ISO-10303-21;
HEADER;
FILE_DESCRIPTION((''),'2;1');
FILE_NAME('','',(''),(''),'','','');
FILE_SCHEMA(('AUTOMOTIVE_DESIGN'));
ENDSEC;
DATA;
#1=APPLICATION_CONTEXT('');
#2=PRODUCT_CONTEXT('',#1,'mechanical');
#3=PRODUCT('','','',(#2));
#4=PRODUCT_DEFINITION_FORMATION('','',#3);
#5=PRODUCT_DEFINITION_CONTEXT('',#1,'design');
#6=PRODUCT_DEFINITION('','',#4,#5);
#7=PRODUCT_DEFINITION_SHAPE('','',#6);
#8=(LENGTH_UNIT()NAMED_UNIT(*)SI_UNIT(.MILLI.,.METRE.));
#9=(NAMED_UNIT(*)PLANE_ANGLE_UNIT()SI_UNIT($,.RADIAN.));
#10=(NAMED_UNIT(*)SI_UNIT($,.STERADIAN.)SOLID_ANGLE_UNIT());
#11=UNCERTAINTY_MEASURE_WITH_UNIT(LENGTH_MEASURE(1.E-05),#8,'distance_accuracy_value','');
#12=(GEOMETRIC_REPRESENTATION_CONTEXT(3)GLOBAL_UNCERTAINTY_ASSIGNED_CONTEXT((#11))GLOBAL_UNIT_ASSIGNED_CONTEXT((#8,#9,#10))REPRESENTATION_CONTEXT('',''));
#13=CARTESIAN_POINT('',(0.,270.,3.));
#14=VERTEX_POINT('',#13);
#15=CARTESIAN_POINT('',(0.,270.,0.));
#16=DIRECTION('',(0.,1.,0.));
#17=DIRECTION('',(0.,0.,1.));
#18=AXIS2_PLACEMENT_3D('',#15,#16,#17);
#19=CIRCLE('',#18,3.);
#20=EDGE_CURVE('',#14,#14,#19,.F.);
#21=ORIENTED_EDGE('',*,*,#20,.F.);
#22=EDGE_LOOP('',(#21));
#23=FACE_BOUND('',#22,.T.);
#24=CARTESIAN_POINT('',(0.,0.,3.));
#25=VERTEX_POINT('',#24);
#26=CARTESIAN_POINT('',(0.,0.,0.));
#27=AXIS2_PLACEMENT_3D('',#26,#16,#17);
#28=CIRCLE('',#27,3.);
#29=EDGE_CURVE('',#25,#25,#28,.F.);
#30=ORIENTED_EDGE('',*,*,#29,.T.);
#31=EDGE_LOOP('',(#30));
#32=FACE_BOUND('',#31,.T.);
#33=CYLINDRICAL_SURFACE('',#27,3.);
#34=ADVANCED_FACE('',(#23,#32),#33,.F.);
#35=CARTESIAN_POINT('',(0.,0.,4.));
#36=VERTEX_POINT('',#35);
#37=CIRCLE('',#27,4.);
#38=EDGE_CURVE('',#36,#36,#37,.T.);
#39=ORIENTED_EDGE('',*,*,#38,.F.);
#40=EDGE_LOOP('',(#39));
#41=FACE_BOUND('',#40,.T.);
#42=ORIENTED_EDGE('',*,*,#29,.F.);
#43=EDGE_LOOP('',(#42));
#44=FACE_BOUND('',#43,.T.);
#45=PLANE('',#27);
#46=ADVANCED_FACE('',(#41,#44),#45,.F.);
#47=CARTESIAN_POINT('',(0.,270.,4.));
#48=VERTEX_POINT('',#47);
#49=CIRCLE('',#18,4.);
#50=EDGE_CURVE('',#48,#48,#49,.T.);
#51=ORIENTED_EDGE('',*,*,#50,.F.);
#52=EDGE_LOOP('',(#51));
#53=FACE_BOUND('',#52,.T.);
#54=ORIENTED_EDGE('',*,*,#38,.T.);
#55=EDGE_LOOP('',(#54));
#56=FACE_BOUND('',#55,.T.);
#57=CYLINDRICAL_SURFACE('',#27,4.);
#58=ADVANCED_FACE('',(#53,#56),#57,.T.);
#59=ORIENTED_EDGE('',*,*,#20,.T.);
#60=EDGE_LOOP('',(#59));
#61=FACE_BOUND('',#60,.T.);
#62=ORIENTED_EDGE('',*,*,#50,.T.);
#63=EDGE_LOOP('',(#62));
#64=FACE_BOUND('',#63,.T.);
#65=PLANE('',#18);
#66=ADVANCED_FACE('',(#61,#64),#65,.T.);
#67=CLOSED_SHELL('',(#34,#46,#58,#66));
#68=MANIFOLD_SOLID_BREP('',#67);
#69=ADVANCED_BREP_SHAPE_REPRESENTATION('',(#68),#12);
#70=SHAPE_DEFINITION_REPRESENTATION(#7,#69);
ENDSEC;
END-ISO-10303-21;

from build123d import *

# Parameters (mm, degrees)
SKETCH2_R   = 4
SKETCH2_R_2 = 3


with BuildPart() as part:
    # Sweep1: sweep along a path in Sketch1
    with BuildLine(Plane.XY) as sweep1_path:
        Line((0, 0), (0, 270))
    # Sketch2 → Sweep1 (sweep)
    with BuildSketch(Plane(origin=(0, 0, 0), x_dir=(1, 0, 0), z_dir=(0, 1, 0))):
        Circle(SKETCH2_R)
        Circle(SKETCH2_R_2, mode=Mode.SUBTRACT)
    sweep(path=sweep1_path.line)


solid = part.part
